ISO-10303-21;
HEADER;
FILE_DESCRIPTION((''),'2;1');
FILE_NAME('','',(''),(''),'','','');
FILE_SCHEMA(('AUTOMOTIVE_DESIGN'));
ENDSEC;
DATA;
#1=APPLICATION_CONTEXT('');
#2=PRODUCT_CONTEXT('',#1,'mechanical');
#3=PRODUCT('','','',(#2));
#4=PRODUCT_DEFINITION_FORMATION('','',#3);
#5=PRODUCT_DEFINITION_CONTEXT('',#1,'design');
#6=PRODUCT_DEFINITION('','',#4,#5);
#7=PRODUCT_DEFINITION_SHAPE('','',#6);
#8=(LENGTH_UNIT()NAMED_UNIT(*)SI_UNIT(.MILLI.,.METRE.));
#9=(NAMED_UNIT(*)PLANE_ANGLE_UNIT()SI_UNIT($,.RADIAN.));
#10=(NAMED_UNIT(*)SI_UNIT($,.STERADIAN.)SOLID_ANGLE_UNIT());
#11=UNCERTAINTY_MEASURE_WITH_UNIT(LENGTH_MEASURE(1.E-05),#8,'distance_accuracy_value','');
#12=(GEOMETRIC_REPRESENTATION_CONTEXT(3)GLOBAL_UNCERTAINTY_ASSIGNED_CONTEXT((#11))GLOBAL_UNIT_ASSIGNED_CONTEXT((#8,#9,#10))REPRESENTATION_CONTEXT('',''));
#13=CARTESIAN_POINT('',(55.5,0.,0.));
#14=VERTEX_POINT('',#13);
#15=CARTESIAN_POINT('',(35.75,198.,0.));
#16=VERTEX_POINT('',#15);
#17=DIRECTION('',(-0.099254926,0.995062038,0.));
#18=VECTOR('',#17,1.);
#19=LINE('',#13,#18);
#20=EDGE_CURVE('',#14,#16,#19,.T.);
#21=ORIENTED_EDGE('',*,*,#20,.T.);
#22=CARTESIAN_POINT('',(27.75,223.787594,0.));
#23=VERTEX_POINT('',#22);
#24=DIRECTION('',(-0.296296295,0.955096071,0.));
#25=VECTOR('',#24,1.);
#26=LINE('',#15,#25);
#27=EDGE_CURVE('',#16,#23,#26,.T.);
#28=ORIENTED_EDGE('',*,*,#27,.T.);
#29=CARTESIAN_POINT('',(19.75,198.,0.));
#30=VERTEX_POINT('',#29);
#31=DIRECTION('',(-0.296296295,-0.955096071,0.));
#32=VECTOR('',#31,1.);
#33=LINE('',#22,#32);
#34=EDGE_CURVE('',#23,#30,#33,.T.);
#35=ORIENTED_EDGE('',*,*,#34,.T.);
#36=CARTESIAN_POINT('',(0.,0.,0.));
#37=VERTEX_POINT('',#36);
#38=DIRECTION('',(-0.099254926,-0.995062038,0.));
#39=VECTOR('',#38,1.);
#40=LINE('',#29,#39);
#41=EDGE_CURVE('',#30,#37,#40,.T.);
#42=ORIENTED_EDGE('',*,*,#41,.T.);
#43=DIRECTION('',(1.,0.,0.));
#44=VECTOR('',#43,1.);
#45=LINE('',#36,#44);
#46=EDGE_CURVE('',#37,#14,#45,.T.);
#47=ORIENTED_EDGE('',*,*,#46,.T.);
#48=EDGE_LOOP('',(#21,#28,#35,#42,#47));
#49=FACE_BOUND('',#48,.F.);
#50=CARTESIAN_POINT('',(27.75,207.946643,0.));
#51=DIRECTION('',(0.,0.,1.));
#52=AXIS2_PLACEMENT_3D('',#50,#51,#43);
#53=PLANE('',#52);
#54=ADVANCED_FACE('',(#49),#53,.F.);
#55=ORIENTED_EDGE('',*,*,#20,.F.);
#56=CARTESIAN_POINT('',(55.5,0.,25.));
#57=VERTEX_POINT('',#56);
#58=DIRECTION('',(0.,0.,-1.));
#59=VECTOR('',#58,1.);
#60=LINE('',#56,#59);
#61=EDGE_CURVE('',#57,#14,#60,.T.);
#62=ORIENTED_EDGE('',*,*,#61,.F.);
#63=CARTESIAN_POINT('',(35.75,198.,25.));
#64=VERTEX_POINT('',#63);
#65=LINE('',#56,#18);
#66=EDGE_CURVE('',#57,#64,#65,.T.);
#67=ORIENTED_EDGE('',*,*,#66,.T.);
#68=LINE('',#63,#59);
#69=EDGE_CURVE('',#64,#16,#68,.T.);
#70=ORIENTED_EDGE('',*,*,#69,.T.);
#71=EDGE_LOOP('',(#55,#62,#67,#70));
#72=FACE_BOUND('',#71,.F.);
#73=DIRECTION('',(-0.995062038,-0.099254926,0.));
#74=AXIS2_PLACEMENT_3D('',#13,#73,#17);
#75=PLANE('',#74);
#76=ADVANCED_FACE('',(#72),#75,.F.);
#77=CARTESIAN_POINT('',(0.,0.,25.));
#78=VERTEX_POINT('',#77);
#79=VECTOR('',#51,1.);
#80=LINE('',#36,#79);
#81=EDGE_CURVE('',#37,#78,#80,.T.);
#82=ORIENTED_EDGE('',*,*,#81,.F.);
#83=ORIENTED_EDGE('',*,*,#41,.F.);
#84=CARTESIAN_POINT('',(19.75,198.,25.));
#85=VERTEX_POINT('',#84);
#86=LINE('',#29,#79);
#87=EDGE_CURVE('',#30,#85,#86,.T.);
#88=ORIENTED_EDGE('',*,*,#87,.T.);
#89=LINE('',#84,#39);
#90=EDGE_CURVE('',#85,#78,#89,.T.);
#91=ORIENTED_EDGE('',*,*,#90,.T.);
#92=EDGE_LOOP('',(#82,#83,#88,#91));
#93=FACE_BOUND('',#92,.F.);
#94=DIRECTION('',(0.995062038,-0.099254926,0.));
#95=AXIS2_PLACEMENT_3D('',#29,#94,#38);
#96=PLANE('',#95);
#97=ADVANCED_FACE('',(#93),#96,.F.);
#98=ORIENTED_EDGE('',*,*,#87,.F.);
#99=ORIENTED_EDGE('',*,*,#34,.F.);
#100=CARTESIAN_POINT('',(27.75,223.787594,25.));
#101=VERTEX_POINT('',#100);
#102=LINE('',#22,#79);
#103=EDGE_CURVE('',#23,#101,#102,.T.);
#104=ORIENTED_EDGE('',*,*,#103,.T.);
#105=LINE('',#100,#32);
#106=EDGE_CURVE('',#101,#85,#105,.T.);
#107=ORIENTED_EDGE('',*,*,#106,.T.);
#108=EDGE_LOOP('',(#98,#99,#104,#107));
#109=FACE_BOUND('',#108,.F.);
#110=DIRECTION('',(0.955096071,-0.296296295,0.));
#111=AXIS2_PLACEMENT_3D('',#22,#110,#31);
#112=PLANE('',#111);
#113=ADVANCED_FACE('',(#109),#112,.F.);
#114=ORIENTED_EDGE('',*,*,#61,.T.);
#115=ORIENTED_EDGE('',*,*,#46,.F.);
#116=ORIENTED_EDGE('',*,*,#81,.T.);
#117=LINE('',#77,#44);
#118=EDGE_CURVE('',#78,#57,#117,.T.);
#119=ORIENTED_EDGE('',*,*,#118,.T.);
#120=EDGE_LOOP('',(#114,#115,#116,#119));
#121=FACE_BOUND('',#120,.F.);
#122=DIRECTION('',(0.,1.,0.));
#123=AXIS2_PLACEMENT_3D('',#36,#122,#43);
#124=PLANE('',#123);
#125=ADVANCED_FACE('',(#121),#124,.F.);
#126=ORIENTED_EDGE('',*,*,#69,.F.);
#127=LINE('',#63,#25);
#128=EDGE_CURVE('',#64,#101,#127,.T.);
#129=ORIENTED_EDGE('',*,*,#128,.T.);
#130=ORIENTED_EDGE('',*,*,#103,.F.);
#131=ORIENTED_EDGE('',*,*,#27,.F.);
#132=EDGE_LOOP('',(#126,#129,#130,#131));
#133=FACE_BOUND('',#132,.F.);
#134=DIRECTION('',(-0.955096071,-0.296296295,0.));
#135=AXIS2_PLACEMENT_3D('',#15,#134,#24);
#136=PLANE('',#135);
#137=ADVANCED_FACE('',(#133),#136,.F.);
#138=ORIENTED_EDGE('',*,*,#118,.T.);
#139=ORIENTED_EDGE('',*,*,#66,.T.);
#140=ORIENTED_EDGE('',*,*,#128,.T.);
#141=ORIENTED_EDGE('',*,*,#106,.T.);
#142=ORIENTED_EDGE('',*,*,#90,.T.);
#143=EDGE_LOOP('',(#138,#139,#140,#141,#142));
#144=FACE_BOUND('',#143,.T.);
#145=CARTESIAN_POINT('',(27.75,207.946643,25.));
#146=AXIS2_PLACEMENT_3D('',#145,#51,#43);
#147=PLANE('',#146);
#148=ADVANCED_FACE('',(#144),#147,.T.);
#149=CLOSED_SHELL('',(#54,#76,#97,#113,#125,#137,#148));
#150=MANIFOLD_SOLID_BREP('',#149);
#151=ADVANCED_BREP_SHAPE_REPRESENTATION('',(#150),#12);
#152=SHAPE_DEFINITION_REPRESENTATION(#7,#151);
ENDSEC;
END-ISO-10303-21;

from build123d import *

# Parameters (mm, degrees)
F1_DEPTH = 25
F2_DEPTH = 10


with BuildPart() as f1:
    # F0 (on Top) → F1 (new body)
    with BuildSketch(Plane.XY):
        Polygon((19.75, 198), (27.75, 198), (35.75, 198), (27.75, 223.787594), align=None)
        Polygon((35.75, 198), (27.75, 198), (19.75, 198), (0, 0), (55.5, 0), align=None)
    extrude(amount=F1_DEPTH)

    # F0 (on Top) → F2 (join)
    with BuildSketch(Plane.XY):
        Polygon((19.75, 198), (27.75, 198), (35.75, 198), (27.75, 223.787594), align=None)
        Polygon((35.75, 198), (27.75, 198), (19.75, 198), (0, 0), (55.5, 0), align=None)
    extrude(amount=F2_DEPTH)


solid = f1.part
